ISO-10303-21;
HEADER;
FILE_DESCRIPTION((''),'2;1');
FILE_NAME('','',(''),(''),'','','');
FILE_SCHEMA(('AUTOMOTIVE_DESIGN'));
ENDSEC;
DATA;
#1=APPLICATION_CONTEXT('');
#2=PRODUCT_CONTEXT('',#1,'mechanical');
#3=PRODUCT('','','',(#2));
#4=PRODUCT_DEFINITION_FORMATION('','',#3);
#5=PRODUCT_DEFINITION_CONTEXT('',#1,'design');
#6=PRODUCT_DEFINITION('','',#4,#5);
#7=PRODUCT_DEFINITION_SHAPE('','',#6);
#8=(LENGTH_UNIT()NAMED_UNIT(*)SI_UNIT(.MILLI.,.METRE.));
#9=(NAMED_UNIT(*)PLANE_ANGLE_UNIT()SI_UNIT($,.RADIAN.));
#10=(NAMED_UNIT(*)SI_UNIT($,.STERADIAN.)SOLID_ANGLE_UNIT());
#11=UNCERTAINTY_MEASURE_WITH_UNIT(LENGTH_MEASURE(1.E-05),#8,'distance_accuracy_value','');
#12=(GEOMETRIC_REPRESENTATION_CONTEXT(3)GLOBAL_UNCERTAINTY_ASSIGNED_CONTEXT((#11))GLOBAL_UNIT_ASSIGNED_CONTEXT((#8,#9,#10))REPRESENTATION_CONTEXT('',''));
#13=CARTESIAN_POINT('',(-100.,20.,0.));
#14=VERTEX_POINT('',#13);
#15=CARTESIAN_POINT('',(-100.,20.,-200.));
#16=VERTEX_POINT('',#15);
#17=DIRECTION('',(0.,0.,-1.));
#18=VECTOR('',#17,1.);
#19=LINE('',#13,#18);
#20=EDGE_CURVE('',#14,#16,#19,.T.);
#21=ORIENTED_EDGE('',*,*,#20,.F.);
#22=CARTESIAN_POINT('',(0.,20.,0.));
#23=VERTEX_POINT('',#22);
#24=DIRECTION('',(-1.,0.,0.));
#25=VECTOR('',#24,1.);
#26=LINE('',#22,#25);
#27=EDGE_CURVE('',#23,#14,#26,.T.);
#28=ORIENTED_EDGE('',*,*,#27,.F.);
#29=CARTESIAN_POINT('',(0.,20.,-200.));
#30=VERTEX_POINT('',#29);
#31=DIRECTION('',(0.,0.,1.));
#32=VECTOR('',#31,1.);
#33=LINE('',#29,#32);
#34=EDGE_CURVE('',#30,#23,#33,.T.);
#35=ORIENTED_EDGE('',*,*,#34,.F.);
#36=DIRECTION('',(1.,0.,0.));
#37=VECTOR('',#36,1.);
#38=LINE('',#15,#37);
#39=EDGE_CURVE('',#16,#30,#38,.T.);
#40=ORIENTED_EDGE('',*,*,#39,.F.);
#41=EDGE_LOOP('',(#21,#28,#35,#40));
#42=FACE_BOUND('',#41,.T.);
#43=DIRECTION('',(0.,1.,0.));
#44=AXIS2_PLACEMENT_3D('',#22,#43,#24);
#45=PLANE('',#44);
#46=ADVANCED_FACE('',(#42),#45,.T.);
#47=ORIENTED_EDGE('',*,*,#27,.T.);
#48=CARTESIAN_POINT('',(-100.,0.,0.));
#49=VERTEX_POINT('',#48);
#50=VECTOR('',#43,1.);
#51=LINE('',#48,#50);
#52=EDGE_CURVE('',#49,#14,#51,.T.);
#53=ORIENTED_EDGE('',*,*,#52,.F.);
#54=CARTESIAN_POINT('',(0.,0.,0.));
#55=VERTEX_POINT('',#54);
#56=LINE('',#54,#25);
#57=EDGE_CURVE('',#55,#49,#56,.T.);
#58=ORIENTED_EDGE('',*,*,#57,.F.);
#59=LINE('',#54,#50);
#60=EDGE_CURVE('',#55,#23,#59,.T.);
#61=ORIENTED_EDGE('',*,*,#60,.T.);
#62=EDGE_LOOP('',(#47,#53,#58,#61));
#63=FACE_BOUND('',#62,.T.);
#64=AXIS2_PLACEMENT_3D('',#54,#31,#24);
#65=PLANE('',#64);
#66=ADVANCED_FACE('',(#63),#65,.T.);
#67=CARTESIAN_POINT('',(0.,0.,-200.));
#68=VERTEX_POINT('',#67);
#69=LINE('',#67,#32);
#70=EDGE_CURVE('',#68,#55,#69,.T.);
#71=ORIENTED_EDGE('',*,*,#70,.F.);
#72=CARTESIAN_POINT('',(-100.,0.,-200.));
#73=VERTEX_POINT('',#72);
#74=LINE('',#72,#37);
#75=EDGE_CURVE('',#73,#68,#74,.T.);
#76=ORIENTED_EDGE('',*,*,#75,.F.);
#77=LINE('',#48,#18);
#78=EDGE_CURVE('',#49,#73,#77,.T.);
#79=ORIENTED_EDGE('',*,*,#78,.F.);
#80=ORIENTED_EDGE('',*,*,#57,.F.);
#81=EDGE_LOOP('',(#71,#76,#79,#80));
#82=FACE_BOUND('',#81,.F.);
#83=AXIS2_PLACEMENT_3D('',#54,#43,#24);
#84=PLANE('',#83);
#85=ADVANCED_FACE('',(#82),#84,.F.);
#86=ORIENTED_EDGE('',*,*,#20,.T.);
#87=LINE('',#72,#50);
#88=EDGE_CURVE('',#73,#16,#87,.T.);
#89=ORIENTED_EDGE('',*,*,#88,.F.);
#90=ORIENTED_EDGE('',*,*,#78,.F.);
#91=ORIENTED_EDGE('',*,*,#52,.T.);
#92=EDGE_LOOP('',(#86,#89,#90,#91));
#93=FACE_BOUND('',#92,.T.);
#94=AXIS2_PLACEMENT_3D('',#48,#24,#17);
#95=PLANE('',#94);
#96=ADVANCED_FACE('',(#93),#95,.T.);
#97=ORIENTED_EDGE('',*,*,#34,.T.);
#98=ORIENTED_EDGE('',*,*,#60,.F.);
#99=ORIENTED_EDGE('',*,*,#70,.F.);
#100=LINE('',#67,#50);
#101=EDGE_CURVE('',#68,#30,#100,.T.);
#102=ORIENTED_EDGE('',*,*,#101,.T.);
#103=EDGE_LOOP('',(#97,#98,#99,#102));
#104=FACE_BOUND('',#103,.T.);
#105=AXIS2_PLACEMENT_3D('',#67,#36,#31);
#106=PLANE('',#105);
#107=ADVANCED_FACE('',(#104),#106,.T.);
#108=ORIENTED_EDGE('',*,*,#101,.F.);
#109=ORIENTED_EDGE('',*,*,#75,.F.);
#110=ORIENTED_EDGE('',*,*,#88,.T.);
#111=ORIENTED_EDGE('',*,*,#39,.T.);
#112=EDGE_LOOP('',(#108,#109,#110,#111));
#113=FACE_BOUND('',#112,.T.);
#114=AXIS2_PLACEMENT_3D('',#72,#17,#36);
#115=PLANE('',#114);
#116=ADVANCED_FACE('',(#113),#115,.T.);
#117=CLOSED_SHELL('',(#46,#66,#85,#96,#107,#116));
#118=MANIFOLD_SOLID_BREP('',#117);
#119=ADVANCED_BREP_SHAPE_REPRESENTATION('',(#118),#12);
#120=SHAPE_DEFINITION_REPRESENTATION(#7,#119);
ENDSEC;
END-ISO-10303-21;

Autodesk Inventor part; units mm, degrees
ref_plane "YZ Plane" through (0, 0, 0) normal (1, 0, 0) x (0, 1, 0)
ref_plane "XZ Plane" through (0, 0, 0) normal (0, 1, 0) x (-1, 0, 0)
ref_plane "XY Plane" through (0, 0, 0) normal (0, 0, 1) x (1, 0, 0)
sketch "Sketch1" plane through (0, 0, 0) normal (0, 1, 0) x (-1, 0, 0)
  line L0 (0, 0) -> (100, 0)
  line L1 (100, 0) -> (100, -200)
  line L2 (100, -200) -> (0, -200)
  line L3 (0, -200) -> (0, 0)
  dimension "d0" = 100
  dimension "d1" = 200
extrude "Extrusion1" add sketch "Sketch1" along normal blind 20
